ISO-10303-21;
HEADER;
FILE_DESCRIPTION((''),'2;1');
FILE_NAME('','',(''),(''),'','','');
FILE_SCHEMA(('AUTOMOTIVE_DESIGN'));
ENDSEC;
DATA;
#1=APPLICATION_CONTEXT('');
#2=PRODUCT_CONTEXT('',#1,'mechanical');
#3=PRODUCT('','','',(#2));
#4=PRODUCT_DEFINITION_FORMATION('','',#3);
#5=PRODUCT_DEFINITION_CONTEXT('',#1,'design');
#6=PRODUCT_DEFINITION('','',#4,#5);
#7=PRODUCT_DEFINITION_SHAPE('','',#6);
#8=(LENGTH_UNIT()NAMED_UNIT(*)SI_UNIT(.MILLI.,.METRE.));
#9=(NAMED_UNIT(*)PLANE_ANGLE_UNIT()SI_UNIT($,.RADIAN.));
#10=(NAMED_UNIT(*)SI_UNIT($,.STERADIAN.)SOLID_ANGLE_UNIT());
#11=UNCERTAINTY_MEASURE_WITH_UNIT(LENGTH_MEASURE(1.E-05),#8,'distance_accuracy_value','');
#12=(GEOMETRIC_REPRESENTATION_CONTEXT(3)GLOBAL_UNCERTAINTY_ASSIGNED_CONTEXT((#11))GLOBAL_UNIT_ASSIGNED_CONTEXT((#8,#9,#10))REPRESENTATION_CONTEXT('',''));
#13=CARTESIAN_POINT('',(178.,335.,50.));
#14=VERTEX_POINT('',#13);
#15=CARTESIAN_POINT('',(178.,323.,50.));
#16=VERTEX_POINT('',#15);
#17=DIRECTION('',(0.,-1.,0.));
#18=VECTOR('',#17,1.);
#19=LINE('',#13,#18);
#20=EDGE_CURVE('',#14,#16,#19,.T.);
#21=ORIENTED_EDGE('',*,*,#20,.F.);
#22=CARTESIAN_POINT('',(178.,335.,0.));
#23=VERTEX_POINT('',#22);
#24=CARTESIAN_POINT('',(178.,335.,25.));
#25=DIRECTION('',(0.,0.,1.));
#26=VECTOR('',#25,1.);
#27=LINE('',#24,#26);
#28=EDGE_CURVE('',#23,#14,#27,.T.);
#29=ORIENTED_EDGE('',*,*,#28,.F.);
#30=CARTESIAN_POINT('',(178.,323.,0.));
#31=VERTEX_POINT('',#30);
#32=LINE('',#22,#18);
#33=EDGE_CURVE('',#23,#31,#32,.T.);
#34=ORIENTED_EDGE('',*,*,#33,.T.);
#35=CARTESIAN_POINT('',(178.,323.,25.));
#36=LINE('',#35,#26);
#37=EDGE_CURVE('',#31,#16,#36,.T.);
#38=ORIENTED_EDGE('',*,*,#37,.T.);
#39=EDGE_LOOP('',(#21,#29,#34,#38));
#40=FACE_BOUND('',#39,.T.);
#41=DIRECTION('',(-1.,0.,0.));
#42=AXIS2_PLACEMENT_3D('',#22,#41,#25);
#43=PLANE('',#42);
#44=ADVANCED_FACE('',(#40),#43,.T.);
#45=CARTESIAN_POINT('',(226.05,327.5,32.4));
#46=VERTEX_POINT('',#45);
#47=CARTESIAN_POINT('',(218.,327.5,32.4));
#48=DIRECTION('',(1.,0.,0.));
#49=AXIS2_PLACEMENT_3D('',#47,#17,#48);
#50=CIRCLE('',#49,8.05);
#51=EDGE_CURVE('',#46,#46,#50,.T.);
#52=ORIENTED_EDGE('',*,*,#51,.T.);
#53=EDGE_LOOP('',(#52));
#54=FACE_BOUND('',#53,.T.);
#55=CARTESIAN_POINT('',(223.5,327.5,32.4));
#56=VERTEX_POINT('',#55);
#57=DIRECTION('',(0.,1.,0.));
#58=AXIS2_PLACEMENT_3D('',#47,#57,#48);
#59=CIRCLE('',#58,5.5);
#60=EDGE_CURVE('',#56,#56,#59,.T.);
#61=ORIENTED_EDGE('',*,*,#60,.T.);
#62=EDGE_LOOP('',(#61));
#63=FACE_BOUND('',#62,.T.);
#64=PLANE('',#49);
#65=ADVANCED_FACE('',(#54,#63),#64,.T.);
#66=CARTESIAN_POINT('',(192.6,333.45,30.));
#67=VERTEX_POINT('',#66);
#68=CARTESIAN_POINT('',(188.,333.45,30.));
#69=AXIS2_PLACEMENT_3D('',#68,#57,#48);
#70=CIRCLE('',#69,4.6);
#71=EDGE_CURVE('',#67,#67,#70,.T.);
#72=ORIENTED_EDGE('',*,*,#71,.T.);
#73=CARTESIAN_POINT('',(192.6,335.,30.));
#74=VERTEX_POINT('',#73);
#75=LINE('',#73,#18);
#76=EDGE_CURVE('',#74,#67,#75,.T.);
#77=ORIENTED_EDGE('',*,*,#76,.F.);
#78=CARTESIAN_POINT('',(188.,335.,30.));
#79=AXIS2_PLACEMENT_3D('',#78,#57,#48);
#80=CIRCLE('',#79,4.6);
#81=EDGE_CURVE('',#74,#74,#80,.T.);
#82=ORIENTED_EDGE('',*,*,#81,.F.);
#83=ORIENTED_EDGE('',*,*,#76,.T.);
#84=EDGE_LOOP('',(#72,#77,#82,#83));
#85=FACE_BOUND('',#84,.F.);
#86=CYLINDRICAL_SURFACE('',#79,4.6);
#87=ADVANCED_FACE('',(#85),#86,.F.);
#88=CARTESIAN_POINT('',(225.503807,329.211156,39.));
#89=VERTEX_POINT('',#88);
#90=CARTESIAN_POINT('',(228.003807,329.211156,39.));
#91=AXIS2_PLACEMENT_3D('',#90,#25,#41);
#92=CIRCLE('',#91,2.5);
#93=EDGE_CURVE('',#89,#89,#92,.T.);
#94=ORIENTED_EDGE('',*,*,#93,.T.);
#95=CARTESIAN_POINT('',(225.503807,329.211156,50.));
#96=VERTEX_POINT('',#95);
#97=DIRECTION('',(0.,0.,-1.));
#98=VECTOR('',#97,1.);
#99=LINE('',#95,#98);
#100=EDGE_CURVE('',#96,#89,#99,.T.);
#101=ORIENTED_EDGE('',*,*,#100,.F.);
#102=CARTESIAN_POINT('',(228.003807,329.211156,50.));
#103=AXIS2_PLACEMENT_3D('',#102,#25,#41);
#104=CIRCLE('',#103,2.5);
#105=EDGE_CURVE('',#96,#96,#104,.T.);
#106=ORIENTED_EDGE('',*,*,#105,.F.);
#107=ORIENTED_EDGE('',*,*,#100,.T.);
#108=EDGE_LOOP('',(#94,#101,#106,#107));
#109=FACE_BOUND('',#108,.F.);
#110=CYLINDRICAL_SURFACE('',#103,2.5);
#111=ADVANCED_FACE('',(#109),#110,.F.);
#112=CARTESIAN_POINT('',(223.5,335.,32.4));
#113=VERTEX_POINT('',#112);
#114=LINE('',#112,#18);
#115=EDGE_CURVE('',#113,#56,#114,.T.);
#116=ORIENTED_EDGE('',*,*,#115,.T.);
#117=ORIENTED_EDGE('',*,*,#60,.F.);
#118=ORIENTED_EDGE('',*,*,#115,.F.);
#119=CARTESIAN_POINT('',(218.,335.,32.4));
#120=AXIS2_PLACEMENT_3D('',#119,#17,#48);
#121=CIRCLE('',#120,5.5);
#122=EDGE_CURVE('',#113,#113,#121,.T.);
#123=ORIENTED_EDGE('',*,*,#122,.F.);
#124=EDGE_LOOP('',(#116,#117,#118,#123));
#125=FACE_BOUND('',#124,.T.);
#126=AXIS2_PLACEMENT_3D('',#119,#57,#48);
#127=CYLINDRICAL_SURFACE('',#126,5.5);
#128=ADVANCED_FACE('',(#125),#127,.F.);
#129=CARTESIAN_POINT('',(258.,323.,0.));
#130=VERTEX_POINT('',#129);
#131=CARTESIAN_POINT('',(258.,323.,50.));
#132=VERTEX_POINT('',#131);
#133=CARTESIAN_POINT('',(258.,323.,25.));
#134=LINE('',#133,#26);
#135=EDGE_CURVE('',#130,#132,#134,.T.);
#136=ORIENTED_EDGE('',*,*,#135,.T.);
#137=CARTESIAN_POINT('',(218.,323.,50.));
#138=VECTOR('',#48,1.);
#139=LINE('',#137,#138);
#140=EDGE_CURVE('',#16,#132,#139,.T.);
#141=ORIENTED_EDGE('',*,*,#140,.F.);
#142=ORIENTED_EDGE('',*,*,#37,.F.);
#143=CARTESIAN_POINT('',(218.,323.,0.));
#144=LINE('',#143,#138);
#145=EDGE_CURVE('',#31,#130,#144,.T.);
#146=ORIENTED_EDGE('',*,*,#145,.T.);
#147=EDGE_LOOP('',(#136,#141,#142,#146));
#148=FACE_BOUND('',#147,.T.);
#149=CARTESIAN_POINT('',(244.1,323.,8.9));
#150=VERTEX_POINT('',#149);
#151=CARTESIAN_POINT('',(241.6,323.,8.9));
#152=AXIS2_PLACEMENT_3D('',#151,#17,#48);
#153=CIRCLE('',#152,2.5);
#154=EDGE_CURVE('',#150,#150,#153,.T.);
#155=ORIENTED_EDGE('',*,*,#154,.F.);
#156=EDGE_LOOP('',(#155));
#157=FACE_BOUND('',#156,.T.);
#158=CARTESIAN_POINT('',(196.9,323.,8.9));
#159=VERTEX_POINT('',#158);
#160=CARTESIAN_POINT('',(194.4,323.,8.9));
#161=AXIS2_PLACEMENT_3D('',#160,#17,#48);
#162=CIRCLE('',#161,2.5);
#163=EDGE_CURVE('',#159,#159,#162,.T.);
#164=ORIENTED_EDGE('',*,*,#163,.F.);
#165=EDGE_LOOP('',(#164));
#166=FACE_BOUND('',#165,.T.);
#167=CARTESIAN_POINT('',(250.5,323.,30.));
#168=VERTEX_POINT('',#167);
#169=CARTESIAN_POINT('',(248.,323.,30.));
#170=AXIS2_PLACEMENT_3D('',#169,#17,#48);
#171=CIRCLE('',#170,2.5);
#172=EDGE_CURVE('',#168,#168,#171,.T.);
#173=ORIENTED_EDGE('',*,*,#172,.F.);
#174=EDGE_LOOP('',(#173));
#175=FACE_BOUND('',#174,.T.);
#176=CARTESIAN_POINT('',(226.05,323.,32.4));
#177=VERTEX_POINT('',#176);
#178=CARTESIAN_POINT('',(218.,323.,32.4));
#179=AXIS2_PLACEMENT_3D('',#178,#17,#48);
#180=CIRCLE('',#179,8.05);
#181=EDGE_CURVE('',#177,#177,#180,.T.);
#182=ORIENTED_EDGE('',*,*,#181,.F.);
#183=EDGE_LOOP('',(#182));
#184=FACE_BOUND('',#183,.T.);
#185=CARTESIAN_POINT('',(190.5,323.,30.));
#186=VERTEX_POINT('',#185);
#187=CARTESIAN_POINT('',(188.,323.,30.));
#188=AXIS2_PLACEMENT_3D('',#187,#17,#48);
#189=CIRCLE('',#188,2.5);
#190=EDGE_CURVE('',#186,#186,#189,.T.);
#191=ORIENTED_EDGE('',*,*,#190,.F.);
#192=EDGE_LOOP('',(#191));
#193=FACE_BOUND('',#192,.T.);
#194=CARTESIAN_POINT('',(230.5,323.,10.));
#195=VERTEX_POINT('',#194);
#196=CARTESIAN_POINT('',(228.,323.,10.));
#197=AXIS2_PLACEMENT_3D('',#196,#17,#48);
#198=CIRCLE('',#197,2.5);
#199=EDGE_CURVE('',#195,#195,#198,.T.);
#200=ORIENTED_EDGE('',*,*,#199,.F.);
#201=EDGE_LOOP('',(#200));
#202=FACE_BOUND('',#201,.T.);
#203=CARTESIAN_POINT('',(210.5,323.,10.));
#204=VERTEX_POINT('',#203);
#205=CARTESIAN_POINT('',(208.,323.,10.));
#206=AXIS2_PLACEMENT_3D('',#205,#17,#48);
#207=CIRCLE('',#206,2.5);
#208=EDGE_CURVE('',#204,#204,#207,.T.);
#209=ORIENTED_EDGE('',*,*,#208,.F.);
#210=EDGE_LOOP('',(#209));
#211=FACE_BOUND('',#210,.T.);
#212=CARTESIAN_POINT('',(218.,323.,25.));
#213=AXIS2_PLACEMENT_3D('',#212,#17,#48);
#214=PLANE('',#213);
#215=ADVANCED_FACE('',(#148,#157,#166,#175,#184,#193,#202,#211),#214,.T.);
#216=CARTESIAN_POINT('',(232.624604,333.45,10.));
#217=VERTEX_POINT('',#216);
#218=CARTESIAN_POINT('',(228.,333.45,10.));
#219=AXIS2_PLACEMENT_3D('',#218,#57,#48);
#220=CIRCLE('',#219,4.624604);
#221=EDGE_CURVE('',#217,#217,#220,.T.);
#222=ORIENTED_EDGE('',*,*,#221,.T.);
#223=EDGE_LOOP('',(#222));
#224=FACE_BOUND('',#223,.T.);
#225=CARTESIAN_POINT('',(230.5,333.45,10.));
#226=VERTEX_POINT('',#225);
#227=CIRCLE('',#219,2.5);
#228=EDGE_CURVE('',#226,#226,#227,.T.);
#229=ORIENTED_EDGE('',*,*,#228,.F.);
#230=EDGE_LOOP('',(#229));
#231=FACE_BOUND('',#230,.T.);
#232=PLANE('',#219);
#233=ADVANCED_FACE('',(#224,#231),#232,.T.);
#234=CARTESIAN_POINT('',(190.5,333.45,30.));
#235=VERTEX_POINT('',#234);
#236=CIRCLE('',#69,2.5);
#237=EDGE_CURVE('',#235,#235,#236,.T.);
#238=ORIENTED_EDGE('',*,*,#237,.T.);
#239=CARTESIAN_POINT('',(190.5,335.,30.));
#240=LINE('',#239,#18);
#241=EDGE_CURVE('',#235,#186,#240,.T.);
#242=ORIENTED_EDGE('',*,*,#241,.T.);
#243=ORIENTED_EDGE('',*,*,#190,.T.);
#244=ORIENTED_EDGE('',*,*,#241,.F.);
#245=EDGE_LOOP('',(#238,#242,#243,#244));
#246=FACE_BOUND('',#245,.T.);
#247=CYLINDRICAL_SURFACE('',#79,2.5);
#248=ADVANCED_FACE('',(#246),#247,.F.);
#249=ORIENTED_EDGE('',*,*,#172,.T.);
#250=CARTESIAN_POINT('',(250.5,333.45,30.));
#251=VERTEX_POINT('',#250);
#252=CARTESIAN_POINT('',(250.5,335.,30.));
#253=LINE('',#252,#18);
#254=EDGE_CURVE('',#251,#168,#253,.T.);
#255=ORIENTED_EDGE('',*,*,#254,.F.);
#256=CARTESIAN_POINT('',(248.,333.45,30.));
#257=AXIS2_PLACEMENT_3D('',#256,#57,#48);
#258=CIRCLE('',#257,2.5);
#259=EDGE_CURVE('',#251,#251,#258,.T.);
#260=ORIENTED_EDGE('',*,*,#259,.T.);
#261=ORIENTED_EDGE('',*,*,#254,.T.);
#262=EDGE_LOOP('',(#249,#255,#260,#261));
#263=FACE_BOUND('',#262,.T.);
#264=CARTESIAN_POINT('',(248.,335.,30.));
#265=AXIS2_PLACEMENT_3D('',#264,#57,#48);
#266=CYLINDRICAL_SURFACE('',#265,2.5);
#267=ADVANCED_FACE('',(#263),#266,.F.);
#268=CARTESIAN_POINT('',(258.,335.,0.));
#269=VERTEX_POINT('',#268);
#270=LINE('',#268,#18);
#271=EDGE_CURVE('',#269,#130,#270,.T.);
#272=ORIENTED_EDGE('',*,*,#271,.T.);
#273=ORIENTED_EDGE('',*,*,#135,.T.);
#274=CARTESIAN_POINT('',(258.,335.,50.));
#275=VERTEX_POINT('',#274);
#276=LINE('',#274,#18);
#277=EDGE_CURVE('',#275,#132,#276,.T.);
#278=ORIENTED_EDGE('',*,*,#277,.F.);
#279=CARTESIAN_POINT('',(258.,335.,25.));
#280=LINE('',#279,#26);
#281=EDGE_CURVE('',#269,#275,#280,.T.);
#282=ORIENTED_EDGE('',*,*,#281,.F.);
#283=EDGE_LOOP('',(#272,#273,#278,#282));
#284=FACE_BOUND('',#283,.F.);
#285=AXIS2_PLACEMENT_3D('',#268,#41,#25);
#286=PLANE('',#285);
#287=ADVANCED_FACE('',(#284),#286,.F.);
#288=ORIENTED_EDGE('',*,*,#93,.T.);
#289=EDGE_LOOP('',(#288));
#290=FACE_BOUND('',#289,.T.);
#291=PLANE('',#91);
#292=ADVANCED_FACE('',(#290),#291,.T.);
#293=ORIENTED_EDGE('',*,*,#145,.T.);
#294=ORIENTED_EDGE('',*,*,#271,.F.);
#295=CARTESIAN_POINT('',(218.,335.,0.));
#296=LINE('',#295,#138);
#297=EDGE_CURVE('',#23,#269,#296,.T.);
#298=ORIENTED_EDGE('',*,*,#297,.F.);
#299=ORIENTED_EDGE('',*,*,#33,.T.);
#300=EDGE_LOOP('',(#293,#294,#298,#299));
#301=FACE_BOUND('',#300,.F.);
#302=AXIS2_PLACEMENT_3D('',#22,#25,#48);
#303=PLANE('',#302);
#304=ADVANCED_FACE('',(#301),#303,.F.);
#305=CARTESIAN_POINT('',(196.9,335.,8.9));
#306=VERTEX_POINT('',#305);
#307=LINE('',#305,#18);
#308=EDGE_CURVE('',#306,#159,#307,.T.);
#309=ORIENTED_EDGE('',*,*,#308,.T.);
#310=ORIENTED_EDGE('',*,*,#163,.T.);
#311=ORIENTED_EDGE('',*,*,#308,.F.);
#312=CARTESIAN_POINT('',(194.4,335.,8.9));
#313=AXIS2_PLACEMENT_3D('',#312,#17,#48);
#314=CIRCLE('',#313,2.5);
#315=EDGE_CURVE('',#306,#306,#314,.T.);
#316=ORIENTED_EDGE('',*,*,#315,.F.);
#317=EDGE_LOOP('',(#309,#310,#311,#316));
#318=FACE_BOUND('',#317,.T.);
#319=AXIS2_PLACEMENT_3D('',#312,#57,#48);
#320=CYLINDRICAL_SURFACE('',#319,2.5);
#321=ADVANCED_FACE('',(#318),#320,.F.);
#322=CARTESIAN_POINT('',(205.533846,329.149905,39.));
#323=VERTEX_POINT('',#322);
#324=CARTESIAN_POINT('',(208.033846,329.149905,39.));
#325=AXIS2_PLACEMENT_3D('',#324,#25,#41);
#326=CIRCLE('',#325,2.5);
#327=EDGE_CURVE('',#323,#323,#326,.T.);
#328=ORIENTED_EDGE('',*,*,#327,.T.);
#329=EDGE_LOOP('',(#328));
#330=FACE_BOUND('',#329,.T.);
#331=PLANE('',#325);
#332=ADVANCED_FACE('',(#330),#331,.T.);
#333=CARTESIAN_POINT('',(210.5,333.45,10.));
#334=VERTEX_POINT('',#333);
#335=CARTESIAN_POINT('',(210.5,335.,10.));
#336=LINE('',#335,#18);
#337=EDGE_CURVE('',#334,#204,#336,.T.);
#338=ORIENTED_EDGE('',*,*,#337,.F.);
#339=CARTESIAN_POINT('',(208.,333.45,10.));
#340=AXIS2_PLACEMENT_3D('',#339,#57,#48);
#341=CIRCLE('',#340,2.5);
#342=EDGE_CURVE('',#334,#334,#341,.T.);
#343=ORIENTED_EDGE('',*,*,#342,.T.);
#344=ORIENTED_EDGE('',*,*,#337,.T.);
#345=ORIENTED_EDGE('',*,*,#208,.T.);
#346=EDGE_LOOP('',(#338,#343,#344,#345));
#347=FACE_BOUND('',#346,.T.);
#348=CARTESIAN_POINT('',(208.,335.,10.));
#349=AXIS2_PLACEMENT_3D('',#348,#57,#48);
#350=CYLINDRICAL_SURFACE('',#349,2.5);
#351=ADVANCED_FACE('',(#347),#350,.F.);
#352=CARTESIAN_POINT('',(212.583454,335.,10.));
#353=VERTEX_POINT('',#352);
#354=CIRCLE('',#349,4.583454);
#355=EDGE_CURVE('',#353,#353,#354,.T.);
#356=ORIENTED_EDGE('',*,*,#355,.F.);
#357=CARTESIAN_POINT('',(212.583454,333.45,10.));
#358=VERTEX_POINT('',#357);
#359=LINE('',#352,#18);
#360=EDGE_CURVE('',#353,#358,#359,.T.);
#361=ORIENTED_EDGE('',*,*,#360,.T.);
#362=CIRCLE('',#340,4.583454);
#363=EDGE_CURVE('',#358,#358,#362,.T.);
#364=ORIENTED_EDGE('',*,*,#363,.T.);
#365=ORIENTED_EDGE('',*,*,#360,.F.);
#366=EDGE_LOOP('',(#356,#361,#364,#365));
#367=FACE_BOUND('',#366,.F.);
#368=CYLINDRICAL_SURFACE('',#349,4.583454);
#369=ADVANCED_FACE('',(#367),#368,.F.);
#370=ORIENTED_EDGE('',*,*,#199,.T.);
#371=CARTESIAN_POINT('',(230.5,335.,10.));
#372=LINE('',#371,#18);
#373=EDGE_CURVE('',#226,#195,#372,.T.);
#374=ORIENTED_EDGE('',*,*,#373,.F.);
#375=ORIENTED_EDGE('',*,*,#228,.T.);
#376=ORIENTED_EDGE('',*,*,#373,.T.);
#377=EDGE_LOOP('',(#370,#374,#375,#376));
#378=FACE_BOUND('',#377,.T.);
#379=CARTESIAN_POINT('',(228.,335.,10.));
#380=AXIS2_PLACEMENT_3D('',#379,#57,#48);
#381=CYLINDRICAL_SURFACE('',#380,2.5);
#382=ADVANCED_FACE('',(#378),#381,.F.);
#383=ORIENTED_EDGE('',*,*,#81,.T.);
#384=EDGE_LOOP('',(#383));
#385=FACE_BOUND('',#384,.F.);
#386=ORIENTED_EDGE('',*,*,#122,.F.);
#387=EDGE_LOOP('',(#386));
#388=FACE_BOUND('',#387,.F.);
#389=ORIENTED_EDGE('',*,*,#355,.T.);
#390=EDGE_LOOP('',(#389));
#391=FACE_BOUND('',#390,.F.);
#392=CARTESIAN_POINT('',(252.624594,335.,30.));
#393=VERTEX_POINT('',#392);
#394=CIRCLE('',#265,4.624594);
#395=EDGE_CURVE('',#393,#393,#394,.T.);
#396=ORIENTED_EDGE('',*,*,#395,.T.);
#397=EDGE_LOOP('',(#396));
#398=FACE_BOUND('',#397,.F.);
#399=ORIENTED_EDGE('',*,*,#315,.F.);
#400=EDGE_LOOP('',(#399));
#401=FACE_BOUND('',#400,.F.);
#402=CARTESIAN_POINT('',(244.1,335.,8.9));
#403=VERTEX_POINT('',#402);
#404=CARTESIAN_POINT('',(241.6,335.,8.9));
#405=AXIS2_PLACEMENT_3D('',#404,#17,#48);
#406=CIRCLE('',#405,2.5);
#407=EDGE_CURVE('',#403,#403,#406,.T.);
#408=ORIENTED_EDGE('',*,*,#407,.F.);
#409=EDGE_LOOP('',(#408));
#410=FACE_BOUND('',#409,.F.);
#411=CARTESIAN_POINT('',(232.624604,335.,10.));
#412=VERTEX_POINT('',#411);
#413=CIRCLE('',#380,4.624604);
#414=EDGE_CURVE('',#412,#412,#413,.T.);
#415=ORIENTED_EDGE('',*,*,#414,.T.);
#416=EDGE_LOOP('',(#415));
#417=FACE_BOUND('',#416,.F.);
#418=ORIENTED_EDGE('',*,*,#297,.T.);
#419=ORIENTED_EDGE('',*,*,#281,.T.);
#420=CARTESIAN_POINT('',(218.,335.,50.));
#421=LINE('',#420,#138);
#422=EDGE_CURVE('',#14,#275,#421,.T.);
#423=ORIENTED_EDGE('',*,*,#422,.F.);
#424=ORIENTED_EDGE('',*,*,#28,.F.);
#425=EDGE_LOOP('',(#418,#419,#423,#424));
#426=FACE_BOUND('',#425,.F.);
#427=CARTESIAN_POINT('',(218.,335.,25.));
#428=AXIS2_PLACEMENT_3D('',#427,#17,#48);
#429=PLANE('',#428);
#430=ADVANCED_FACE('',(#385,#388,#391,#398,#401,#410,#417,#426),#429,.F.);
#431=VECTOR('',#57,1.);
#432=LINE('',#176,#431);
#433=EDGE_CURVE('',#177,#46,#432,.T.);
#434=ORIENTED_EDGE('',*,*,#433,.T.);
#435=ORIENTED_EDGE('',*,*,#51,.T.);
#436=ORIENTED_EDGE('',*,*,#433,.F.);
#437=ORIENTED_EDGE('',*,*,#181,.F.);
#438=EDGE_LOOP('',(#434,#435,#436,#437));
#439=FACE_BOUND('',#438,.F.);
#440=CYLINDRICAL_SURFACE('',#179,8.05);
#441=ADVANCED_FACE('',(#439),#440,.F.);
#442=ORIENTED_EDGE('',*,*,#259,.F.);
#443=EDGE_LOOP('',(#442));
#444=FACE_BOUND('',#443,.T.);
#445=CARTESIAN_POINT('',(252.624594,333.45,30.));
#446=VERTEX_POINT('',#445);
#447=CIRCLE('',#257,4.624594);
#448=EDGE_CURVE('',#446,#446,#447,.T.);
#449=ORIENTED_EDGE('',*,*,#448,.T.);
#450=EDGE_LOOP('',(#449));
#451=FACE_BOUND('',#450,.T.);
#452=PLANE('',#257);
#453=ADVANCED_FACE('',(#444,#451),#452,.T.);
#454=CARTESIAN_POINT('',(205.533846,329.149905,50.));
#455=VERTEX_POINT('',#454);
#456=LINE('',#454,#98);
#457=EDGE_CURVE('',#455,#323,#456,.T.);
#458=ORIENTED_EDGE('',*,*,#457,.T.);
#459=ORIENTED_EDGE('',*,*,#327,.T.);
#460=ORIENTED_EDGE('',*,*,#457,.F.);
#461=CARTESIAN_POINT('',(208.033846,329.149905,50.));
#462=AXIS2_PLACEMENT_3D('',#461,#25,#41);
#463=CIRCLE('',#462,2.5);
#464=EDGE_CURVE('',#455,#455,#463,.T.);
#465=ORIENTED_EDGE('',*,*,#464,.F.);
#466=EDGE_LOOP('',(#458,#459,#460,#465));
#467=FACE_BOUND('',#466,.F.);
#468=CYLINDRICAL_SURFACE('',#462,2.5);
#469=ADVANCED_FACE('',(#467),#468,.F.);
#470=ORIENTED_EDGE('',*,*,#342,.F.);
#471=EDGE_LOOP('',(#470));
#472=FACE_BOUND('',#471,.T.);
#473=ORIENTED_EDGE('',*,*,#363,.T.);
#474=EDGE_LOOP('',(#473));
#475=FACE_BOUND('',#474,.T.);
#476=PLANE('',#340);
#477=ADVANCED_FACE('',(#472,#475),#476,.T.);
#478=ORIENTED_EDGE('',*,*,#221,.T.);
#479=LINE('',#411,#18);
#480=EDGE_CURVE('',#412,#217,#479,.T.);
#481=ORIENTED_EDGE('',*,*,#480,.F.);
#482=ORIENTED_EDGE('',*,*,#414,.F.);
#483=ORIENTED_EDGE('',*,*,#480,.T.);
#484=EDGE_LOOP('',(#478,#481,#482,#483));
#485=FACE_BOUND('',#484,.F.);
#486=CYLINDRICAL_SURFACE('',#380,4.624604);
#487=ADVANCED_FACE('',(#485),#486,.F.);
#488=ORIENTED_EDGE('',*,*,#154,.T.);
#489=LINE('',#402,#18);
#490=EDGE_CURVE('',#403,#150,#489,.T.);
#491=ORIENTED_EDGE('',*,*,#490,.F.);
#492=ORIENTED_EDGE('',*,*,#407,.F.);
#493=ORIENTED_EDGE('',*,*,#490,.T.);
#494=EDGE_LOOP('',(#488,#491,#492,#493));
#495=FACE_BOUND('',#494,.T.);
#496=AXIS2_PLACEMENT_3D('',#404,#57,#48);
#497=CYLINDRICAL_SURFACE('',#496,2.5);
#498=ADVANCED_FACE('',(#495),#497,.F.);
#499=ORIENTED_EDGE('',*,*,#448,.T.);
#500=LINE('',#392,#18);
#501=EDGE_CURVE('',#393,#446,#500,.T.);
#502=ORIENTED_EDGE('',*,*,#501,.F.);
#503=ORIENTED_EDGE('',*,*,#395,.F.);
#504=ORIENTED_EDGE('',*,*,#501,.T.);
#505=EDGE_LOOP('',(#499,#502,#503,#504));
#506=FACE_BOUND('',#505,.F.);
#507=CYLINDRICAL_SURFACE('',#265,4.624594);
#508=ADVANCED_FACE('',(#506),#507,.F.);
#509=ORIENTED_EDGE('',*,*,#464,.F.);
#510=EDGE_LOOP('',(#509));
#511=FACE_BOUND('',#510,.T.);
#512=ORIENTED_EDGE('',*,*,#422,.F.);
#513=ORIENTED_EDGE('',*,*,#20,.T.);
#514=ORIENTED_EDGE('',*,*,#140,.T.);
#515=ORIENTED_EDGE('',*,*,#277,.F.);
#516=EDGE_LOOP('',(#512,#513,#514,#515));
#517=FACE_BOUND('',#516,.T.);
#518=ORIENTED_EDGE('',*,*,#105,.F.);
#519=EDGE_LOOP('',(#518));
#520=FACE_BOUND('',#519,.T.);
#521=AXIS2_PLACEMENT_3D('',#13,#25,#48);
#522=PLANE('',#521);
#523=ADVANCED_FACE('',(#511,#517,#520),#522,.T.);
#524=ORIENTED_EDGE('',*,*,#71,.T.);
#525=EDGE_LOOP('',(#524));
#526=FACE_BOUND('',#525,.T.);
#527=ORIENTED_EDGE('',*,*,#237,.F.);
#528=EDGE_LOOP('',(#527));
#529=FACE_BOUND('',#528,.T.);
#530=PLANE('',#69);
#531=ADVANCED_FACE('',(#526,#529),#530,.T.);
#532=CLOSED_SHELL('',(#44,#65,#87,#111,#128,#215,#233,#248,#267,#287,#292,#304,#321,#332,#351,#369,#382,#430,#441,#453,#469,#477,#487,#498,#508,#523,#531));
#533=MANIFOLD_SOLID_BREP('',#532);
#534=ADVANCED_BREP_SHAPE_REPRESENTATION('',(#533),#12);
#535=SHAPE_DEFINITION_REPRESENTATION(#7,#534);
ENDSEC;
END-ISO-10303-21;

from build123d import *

# Parameters (mm, degrees)
SKETCH023_W     = 80
SKETCH023_H     = 50
SKETCH023_R     = 2.5
SKETCH023_R_2   = 5.5
PAD005_DEPTH    = 12
SKETCH024_R     = 2.5
POCKET015_DEPTH = 11
SKETCH025_R     = 8.05
POCKET016_DEPTH = 4.5
SKETCH026_R     = 4.6
SKETCH026_R_2   = 4.624594
SKETCH026_R_3   = 4.583454
SKETCH026_R_4   = 4.624604
POCKET017_DEPTH = 1.55


with BuildPart() as part:
    # Sketch023 → Pad005 (new body)
    with BuildSketch(Plane(origin=(178, 335, 0), x_dir=(1, 0, 0), z_dir=(0, -1, 0))):
        with Locations((40, 25)):
            Rectangle(SKETCH023_W, SKETCH023_H)
        with Locations((10, 30)):
            Circle(SKETCH023_R, mode=Mode.SUBTRACT)
        with Locations((30, 10)):
            Circle(SKETCH023_R, mode=Mode.SUBTRACT)
        with Locations((16.4, 8.9)):
            Circle(SKETCH023_R, mode=Mode.SUBTRACT)
        with Locations((50, 10)):
            Circle(SKETCH023_R, mode=Mode.SUBTRACT)
        with Locations((63.6, 8.9)):
            Circle(SKETCH023_R, mode=Mode.SUBTRACT)
        with Locations((70, 30)):
            Circle(SKETCH023_R, mode=Mode.SUBTRACT)
        with Locations((40, 32.4)):
            Circle(SKETCH023_R_2, mode=Mode.SUBTRACT)
    extrude(amount=PAD005_DEPTH)

    # Sketch024 → Pocket015 (cut)
    with BuildSketch(Plane(origin=(178, 335, 50), x_dir=(-1, 0, 0), z_dir=(0, 0, 1))):
        with Locations((-30.033846, 5.850095)):
            Circle(SKETCH024_R)
        with Locations((-50.003807, 5.788844)):
            Circle(SKETCH024_R)
    extrude(amount=-POCKET015_DEPTH, mode=Mode.SUBTRACT)

    # Sketch025 → Pocket016 (cut)
    with BuildSketch(Plane(origin=(178, 323, 0), x_dir=(1, 0, 0), z_dir=(0, -1, 0))):
        with Locations((40, 32.4)):
            Circle(SKETCH025_R)
    extrude(amount=-POCKET016_DEPTH, mode=Mode.SUBTRACT)

    # Sketch026 → Pocket017 (cut)
    with BuildSketch(Plane(origin=(178, 335, 0), x_dir=(1, 0, 0), z_dir=(0, 1, 0))):
        with Locations((10, -30)):
            Circle(SKETCH026_R)
        with Locations((70, -30)):
            Circle(SKETCH026_R_2)
        with Locations((30, -10)):
            Circle(SKETCH026_R_3)
        with Locations((50, -10)):
            Circle(SKETCH026_R_4)
    extrude(amount=-POCKET017_DEPTH, mode=Mode.SUBTRACT)


solid = part.part
